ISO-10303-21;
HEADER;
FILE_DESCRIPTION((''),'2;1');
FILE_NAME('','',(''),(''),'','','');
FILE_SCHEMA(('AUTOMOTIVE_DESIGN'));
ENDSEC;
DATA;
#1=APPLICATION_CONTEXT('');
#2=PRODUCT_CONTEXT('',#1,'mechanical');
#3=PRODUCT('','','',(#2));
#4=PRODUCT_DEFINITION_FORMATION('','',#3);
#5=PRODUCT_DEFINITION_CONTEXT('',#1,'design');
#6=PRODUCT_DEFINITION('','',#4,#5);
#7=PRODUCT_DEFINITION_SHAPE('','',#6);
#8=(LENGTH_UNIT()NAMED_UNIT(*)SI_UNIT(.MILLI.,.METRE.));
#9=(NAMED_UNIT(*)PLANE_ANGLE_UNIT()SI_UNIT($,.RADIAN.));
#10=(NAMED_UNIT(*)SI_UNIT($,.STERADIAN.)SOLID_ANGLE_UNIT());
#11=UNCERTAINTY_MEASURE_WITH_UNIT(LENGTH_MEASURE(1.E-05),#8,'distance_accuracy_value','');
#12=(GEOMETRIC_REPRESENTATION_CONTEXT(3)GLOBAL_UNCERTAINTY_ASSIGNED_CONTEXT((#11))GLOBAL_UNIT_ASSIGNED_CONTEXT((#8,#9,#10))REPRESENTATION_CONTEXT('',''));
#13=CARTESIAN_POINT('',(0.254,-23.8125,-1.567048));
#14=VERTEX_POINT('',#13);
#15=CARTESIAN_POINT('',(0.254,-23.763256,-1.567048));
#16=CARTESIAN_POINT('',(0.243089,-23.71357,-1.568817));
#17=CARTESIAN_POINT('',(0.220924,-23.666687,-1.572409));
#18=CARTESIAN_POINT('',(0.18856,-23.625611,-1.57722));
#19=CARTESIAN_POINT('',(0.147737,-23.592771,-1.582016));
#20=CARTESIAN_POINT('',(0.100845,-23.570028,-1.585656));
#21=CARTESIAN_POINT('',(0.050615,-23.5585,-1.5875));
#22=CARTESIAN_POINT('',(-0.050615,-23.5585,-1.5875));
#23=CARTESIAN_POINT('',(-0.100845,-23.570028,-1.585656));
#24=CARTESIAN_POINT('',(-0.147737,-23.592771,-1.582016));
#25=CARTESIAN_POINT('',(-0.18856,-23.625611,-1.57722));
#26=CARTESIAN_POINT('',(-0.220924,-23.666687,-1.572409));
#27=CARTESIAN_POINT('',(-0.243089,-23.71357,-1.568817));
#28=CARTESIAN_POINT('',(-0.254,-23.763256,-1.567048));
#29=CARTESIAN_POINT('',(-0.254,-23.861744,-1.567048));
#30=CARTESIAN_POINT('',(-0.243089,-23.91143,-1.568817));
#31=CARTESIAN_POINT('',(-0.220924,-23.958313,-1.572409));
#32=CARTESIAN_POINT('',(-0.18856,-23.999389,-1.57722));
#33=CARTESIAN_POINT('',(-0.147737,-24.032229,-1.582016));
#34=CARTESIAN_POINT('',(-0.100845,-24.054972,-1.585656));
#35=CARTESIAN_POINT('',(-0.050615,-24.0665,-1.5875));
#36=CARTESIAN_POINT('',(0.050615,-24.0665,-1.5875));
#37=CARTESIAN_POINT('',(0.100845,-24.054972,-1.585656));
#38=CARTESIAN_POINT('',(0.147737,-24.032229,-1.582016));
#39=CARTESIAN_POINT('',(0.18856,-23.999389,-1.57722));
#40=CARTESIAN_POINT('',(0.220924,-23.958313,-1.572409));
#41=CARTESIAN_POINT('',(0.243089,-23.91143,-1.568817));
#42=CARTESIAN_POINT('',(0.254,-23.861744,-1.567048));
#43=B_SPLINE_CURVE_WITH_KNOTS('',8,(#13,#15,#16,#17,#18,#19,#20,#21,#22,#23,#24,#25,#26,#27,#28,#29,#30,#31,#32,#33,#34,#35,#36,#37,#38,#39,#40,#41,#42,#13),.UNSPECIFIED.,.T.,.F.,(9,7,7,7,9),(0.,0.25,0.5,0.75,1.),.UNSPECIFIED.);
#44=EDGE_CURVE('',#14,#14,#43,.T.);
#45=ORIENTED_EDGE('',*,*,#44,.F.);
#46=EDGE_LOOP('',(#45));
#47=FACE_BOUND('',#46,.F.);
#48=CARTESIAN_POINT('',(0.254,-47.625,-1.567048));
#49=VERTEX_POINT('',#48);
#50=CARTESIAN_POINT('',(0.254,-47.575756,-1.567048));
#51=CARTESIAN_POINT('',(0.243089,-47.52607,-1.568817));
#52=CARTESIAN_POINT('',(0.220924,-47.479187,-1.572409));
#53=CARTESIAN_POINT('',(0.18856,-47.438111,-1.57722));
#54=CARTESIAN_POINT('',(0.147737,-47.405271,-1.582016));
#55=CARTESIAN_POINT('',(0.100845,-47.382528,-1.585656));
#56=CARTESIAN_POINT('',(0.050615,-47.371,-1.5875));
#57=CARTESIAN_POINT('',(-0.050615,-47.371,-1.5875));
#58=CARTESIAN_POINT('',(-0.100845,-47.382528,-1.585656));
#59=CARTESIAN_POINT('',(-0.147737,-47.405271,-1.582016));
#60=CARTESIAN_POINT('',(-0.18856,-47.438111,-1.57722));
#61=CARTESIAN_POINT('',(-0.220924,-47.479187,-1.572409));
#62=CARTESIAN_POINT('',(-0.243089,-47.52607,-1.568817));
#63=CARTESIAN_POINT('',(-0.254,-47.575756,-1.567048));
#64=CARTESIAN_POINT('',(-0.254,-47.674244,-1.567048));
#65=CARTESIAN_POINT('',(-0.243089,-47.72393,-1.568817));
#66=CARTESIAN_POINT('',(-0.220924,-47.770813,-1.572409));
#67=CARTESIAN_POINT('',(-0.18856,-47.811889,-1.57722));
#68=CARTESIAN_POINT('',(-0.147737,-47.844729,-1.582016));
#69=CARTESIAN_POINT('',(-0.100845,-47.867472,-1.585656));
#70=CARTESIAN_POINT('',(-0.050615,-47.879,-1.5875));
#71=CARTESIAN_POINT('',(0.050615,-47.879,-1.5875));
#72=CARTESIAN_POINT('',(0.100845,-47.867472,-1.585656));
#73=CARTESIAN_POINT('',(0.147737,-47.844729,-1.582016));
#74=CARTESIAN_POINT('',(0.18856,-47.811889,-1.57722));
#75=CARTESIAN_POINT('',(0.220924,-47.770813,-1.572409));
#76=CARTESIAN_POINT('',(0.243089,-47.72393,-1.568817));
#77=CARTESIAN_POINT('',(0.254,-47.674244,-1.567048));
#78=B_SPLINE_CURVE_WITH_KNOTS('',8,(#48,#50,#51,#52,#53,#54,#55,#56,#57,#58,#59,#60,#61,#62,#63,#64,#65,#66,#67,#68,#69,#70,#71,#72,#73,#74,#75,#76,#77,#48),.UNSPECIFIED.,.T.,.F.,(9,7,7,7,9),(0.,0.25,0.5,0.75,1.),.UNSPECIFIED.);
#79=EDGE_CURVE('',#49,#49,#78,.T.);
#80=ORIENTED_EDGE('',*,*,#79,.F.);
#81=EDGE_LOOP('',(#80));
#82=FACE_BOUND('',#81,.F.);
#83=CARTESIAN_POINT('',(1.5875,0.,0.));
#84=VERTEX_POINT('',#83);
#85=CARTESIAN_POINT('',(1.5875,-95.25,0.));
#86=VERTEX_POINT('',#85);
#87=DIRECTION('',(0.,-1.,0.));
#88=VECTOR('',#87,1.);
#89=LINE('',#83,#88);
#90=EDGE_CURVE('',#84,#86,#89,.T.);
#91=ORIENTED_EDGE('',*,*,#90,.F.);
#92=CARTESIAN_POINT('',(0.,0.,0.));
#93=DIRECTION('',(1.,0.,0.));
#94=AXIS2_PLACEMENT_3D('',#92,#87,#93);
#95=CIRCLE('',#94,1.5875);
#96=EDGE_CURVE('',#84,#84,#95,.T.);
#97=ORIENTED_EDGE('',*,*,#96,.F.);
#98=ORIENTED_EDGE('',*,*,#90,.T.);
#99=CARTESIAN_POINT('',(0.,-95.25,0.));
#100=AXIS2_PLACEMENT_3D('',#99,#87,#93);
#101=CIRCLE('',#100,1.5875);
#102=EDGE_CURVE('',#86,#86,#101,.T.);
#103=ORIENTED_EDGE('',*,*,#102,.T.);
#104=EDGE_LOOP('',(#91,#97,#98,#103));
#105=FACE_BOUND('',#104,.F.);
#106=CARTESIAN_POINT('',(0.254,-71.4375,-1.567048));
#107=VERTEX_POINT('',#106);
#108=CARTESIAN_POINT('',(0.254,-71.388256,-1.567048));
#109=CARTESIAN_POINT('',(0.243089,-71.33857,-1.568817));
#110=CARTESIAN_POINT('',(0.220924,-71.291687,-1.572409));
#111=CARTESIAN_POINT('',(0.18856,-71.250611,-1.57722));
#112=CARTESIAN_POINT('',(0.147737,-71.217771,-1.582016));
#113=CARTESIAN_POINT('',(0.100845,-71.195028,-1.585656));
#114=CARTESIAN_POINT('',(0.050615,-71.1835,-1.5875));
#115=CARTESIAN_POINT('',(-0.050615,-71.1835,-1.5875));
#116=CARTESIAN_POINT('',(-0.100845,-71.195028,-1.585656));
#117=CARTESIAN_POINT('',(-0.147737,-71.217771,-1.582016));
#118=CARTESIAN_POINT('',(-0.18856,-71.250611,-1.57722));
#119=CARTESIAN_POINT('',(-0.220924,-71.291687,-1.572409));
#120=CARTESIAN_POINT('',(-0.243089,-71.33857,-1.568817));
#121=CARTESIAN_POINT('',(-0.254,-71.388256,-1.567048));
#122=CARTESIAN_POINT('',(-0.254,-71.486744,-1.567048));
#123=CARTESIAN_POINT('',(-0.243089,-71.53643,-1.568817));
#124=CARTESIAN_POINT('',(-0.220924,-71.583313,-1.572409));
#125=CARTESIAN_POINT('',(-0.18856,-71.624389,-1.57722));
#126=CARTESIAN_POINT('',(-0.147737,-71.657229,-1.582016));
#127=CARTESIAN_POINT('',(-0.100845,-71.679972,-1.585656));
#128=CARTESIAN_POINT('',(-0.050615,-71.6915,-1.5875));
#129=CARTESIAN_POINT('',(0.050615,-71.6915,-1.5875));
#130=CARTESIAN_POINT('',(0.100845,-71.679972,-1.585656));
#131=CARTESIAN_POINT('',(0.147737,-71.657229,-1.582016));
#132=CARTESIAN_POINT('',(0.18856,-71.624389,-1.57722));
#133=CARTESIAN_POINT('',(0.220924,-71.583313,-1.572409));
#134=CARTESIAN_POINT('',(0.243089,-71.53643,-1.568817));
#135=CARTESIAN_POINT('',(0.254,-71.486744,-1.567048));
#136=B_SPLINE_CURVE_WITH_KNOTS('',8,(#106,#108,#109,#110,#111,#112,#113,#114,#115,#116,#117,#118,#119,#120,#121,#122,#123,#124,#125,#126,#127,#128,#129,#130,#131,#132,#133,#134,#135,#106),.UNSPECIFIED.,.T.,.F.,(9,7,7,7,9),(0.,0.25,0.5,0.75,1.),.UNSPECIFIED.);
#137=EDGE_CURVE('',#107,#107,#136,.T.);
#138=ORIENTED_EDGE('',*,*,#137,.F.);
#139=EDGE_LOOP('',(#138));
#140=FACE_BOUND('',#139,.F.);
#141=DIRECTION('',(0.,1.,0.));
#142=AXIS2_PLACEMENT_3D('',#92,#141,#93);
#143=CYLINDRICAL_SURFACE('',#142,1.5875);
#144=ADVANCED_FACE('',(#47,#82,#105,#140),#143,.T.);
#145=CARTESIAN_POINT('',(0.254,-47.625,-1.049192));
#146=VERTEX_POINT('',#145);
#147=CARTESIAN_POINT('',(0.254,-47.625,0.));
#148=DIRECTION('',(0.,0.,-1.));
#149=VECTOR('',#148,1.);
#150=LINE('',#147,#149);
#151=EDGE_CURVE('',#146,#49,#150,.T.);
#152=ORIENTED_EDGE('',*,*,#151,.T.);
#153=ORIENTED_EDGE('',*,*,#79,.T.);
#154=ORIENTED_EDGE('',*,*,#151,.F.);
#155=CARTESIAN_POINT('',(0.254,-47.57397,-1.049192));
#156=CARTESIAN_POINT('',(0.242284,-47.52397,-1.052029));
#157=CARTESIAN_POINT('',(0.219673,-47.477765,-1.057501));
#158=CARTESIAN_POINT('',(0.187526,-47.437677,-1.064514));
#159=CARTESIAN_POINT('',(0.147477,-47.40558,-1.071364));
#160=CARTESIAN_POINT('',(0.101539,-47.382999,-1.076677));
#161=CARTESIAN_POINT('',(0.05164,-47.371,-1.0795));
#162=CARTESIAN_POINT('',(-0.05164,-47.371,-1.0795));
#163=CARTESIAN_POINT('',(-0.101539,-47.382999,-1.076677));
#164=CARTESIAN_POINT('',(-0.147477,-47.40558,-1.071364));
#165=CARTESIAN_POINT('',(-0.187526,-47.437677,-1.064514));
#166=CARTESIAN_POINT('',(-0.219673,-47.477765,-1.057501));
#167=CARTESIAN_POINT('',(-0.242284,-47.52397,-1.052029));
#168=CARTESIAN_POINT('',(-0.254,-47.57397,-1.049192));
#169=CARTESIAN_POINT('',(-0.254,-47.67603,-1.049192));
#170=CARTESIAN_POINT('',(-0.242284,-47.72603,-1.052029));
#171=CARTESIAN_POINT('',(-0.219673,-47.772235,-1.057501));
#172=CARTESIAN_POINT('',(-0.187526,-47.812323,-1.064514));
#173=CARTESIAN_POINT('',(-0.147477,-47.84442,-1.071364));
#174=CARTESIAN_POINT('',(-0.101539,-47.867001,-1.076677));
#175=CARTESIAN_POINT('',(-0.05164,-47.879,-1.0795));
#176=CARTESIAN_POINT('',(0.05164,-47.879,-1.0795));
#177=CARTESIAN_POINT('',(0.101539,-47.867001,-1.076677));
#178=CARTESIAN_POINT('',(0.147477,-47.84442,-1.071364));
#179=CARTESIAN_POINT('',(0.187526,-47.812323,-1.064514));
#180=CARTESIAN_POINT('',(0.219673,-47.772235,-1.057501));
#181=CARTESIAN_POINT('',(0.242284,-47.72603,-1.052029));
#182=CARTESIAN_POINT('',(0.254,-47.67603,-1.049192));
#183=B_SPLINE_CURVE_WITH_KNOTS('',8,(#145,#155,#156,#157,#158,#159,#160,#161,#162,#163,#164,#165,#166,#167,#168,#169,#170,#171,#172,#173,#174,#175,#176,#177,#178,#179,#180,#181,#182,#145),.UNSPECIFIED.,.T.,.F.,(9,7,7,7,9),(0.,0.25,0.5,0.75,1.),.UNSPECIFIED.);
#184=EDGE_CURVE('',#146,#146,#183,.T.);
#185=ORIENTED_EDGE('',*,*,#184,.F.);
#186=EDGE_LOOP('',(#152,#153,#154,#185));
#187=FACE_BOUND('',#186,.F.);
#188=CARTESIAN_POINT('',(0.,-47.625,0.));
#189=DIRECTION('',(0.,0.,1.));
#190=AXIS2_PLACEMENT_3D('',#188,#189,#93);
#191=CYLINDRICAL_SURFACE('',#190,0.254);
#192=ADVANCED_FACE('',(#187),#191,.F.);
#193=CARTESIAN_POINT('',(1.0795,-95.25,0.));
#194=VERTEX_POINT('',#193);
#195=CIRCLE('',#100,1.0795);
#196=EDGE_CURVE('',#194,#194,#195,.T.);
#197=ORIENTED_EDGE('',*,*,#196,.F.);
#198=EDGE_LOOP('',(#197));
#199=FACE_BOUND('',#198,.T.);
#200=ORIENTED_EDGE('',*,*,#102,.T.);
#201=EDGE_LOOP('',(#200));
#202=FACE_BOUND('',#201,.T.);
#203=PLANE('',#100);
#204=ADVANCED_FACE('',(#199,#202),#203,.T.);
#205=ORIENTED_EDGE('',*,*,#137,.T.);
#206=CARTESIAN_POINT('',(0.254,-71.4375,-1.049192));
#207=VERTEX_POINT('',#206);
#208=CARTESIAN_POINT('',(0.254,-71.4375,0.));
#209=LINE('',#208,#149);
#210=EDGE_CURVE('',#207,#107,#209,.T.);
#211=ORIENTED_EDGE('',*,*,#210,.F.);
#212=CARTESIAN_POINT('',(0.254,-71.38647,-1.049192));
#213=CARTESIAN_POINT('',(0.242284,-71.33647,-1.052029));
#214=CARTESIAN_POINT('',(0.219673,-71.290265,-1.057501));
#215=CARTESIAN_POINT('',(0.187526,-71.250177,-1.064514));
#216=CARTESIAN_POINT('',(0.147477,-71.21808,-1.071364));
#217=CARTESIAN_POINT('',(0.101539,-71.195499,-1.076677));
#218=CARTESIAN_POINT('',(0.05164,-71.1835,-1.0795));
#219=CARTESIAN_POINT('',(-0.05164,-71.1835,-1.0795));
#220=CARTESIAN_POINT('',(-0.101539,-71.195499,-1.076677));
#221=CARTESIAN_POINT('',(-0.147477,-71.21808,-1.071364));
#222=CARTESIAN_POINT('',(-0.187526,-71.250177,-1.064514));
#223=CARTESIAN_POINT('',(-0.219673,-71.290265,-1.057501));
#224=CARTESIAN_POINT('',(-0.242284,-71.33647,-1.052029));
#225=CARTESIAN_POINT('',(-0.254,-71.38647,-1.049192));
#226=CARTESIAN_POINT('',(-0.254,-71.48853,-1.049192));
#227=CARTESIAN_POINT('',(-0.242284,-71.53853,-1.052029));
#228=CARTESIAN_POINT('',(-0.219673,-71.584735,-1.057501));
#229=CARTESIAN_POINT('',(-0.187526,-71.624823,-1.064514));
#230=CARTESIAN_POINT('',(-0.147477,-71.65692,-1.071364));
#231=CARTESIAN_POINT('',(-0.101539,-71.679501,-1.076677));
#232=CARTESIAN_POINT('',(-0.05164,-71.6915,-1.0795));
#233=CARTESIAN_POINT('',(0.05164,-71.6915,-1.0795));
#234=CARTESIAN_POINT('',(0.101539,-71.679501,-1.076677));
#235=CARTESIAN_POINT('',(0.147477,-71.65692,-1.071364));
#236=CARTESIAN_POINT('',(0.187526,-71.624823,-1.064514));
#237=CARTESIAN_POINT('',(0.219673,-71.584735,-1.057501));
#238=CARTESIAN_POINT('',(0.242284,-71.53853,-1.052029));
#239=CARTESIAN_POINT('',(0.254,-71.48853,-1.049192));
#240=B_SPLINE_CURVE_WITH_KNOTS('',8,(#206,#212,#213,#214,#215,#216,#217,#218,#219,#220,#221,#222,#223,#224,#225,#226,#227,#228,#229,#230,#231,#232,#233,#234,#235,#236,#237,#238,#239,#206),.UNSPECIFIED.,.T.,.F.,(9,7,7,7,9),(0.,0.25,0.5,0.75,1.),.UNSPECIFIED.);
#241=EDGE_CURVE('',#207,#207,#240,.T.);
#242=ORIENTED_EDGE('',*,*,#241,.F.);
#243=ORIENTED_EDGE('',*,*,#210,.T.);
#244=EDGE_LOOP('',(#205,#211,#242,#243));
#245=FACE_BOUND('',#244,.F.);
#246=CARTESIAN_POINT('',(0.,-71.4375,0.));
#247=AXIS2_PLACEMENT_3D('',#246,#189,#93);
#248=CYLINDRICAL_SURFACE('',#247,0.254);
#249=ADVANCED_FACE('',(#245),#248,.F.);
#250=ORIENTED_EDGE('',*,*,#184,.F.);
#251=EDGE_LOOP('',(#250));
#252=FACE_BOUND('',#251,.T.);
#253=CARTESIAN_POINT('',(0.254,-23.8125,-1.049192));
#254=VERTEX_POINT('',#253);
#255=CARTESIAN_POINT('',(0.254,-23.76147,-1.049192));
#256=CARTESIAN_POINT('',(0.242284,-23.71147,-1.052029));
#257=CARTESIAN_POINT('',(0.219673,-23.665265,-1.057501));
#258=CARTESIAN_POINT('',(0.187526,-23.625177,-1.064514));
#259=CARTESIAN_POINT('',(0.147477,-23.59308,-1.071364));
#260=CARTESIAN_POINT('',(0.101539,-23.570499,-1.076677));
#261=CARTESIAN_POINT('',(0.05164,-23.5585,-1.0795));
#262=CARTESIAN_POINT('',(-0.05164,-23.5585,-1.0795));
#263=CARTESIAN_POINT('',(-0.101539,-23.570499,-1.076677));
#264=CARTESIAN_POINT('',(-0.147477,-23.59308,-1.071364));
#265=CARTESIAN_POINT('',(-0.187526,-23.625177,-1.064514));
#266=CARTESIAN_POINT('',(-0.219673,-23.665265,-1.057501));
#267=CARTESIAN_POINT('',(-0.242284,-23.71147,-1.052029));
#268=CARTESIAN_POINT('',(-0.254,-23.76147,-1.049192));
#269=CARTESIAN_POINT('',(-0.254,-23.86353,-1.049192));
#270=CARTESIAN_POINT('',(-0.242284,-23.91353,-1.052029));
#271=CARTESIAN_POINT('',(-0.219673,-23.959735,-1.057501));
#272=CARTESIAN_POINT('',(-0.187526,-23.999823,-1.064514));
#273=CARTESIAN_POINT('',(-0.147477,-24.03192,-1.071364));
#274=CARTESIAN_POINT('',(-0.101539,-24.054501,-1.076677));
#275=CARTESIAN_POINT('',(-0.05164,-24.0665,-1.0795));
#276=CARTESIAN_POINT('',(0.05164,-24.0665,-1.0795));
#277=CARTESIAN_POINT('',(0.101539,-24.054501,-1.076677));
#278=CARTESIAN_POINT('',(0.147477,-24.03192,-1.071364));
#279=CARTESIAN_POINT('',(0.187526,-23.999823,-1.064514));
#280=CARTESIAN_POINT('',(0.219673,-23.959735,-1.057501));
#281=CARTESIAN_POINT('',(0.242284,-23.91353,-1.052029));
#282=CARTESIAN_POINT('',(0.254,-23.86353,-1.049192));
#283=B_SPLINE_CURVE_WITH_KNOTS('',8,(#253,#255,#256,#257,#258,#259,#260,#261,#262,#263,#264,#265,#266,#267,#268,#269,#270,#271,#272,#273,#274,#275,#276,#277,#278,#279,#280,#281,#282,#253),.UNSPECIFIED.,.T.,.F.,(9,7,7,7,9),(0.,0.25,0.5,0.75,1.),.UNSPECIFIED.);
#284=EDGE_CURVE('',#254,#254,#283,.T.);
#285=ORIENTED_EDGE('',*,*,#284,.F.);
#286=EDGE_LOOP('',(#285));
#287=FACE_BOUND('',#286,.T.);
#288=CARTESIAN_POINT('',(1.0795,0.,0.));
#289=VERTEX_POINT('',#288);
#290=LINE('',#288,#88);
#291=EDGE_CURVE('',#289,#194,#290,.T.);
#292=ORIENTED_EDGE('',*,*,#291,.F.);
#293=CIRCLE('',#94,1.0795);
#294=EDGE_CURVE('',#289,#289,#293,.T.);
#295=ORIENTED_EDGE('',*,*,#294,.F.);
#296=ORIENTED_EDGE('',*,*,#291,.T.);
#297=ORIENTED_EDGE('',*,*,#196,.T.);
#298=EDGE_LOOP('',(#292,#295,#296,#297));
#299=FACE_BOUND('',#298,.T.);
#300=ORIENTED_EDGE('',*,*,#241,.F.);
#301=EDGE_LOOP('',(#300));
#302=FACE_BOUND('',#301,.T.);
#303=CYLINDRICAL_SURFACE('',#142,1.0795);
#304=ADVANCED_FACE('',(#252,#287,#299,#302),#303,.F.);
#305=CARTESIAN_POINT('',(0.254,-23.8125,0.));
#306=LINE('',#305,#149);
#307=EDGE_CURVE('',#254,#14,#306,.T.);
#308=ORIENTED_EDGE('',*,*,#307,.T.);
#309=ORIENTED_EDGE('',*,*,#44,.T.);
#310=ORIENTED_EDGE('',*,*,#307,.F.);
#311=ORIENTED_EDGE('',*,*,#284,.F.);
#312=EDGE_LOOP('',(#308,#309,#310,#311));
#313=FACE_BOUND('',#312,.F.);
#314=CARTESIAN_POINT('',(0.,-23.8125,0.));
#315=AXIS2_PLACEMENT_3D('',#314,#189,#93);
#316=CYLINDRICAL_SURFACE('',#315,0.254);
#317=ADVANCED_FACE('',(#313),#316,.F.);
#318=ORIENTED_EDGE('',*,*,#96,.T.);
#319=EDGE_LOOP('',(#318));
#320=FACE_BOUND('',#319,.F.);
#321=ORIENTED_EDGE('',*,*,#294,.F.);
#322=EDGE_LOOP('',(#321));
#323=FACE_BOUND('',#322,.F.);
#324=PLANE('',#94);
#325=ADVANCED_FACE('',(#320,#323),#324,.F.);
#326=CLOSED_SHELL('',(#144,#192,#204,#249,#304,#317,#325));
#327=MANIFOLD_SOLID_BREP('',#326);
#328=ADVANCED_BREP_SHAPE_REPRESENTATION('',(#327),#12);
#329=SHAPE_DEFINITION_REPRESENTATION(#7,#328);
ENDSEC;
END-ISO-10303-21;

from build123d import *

# Parameters (mm, degrees)
F0_R     = 1.5875
F0_R_2   = 1.0795
F1_DEPTH = 95.25
F2_R     = 0.254
F3_DEPTH = 1.5885


with BuildPart() as f1:
    # F0 (on Front) → F1 (new body)
    with BuildSketch(Plane.XZ):
        Circle(F0_R)
        Circle(F0_R_2, mode=Mode.SUBTRACT)
    extrude(amount=F1_DEPTH)

    # F2 (on Top) → F3 (cut, through all)
    with BuildSketch(Plane.XY):
        with Locations((0, -71.4375)):
            Circle(F2_R)
        with Locations((0, -23.8125)):
            Circle(F2_R)
        with Locations((0, -47.625)):
            Circle(F2_R)
    extrude(amount=-F3_DEPTH, mode=Mode.SUBTRACT)


solid = f1.part
